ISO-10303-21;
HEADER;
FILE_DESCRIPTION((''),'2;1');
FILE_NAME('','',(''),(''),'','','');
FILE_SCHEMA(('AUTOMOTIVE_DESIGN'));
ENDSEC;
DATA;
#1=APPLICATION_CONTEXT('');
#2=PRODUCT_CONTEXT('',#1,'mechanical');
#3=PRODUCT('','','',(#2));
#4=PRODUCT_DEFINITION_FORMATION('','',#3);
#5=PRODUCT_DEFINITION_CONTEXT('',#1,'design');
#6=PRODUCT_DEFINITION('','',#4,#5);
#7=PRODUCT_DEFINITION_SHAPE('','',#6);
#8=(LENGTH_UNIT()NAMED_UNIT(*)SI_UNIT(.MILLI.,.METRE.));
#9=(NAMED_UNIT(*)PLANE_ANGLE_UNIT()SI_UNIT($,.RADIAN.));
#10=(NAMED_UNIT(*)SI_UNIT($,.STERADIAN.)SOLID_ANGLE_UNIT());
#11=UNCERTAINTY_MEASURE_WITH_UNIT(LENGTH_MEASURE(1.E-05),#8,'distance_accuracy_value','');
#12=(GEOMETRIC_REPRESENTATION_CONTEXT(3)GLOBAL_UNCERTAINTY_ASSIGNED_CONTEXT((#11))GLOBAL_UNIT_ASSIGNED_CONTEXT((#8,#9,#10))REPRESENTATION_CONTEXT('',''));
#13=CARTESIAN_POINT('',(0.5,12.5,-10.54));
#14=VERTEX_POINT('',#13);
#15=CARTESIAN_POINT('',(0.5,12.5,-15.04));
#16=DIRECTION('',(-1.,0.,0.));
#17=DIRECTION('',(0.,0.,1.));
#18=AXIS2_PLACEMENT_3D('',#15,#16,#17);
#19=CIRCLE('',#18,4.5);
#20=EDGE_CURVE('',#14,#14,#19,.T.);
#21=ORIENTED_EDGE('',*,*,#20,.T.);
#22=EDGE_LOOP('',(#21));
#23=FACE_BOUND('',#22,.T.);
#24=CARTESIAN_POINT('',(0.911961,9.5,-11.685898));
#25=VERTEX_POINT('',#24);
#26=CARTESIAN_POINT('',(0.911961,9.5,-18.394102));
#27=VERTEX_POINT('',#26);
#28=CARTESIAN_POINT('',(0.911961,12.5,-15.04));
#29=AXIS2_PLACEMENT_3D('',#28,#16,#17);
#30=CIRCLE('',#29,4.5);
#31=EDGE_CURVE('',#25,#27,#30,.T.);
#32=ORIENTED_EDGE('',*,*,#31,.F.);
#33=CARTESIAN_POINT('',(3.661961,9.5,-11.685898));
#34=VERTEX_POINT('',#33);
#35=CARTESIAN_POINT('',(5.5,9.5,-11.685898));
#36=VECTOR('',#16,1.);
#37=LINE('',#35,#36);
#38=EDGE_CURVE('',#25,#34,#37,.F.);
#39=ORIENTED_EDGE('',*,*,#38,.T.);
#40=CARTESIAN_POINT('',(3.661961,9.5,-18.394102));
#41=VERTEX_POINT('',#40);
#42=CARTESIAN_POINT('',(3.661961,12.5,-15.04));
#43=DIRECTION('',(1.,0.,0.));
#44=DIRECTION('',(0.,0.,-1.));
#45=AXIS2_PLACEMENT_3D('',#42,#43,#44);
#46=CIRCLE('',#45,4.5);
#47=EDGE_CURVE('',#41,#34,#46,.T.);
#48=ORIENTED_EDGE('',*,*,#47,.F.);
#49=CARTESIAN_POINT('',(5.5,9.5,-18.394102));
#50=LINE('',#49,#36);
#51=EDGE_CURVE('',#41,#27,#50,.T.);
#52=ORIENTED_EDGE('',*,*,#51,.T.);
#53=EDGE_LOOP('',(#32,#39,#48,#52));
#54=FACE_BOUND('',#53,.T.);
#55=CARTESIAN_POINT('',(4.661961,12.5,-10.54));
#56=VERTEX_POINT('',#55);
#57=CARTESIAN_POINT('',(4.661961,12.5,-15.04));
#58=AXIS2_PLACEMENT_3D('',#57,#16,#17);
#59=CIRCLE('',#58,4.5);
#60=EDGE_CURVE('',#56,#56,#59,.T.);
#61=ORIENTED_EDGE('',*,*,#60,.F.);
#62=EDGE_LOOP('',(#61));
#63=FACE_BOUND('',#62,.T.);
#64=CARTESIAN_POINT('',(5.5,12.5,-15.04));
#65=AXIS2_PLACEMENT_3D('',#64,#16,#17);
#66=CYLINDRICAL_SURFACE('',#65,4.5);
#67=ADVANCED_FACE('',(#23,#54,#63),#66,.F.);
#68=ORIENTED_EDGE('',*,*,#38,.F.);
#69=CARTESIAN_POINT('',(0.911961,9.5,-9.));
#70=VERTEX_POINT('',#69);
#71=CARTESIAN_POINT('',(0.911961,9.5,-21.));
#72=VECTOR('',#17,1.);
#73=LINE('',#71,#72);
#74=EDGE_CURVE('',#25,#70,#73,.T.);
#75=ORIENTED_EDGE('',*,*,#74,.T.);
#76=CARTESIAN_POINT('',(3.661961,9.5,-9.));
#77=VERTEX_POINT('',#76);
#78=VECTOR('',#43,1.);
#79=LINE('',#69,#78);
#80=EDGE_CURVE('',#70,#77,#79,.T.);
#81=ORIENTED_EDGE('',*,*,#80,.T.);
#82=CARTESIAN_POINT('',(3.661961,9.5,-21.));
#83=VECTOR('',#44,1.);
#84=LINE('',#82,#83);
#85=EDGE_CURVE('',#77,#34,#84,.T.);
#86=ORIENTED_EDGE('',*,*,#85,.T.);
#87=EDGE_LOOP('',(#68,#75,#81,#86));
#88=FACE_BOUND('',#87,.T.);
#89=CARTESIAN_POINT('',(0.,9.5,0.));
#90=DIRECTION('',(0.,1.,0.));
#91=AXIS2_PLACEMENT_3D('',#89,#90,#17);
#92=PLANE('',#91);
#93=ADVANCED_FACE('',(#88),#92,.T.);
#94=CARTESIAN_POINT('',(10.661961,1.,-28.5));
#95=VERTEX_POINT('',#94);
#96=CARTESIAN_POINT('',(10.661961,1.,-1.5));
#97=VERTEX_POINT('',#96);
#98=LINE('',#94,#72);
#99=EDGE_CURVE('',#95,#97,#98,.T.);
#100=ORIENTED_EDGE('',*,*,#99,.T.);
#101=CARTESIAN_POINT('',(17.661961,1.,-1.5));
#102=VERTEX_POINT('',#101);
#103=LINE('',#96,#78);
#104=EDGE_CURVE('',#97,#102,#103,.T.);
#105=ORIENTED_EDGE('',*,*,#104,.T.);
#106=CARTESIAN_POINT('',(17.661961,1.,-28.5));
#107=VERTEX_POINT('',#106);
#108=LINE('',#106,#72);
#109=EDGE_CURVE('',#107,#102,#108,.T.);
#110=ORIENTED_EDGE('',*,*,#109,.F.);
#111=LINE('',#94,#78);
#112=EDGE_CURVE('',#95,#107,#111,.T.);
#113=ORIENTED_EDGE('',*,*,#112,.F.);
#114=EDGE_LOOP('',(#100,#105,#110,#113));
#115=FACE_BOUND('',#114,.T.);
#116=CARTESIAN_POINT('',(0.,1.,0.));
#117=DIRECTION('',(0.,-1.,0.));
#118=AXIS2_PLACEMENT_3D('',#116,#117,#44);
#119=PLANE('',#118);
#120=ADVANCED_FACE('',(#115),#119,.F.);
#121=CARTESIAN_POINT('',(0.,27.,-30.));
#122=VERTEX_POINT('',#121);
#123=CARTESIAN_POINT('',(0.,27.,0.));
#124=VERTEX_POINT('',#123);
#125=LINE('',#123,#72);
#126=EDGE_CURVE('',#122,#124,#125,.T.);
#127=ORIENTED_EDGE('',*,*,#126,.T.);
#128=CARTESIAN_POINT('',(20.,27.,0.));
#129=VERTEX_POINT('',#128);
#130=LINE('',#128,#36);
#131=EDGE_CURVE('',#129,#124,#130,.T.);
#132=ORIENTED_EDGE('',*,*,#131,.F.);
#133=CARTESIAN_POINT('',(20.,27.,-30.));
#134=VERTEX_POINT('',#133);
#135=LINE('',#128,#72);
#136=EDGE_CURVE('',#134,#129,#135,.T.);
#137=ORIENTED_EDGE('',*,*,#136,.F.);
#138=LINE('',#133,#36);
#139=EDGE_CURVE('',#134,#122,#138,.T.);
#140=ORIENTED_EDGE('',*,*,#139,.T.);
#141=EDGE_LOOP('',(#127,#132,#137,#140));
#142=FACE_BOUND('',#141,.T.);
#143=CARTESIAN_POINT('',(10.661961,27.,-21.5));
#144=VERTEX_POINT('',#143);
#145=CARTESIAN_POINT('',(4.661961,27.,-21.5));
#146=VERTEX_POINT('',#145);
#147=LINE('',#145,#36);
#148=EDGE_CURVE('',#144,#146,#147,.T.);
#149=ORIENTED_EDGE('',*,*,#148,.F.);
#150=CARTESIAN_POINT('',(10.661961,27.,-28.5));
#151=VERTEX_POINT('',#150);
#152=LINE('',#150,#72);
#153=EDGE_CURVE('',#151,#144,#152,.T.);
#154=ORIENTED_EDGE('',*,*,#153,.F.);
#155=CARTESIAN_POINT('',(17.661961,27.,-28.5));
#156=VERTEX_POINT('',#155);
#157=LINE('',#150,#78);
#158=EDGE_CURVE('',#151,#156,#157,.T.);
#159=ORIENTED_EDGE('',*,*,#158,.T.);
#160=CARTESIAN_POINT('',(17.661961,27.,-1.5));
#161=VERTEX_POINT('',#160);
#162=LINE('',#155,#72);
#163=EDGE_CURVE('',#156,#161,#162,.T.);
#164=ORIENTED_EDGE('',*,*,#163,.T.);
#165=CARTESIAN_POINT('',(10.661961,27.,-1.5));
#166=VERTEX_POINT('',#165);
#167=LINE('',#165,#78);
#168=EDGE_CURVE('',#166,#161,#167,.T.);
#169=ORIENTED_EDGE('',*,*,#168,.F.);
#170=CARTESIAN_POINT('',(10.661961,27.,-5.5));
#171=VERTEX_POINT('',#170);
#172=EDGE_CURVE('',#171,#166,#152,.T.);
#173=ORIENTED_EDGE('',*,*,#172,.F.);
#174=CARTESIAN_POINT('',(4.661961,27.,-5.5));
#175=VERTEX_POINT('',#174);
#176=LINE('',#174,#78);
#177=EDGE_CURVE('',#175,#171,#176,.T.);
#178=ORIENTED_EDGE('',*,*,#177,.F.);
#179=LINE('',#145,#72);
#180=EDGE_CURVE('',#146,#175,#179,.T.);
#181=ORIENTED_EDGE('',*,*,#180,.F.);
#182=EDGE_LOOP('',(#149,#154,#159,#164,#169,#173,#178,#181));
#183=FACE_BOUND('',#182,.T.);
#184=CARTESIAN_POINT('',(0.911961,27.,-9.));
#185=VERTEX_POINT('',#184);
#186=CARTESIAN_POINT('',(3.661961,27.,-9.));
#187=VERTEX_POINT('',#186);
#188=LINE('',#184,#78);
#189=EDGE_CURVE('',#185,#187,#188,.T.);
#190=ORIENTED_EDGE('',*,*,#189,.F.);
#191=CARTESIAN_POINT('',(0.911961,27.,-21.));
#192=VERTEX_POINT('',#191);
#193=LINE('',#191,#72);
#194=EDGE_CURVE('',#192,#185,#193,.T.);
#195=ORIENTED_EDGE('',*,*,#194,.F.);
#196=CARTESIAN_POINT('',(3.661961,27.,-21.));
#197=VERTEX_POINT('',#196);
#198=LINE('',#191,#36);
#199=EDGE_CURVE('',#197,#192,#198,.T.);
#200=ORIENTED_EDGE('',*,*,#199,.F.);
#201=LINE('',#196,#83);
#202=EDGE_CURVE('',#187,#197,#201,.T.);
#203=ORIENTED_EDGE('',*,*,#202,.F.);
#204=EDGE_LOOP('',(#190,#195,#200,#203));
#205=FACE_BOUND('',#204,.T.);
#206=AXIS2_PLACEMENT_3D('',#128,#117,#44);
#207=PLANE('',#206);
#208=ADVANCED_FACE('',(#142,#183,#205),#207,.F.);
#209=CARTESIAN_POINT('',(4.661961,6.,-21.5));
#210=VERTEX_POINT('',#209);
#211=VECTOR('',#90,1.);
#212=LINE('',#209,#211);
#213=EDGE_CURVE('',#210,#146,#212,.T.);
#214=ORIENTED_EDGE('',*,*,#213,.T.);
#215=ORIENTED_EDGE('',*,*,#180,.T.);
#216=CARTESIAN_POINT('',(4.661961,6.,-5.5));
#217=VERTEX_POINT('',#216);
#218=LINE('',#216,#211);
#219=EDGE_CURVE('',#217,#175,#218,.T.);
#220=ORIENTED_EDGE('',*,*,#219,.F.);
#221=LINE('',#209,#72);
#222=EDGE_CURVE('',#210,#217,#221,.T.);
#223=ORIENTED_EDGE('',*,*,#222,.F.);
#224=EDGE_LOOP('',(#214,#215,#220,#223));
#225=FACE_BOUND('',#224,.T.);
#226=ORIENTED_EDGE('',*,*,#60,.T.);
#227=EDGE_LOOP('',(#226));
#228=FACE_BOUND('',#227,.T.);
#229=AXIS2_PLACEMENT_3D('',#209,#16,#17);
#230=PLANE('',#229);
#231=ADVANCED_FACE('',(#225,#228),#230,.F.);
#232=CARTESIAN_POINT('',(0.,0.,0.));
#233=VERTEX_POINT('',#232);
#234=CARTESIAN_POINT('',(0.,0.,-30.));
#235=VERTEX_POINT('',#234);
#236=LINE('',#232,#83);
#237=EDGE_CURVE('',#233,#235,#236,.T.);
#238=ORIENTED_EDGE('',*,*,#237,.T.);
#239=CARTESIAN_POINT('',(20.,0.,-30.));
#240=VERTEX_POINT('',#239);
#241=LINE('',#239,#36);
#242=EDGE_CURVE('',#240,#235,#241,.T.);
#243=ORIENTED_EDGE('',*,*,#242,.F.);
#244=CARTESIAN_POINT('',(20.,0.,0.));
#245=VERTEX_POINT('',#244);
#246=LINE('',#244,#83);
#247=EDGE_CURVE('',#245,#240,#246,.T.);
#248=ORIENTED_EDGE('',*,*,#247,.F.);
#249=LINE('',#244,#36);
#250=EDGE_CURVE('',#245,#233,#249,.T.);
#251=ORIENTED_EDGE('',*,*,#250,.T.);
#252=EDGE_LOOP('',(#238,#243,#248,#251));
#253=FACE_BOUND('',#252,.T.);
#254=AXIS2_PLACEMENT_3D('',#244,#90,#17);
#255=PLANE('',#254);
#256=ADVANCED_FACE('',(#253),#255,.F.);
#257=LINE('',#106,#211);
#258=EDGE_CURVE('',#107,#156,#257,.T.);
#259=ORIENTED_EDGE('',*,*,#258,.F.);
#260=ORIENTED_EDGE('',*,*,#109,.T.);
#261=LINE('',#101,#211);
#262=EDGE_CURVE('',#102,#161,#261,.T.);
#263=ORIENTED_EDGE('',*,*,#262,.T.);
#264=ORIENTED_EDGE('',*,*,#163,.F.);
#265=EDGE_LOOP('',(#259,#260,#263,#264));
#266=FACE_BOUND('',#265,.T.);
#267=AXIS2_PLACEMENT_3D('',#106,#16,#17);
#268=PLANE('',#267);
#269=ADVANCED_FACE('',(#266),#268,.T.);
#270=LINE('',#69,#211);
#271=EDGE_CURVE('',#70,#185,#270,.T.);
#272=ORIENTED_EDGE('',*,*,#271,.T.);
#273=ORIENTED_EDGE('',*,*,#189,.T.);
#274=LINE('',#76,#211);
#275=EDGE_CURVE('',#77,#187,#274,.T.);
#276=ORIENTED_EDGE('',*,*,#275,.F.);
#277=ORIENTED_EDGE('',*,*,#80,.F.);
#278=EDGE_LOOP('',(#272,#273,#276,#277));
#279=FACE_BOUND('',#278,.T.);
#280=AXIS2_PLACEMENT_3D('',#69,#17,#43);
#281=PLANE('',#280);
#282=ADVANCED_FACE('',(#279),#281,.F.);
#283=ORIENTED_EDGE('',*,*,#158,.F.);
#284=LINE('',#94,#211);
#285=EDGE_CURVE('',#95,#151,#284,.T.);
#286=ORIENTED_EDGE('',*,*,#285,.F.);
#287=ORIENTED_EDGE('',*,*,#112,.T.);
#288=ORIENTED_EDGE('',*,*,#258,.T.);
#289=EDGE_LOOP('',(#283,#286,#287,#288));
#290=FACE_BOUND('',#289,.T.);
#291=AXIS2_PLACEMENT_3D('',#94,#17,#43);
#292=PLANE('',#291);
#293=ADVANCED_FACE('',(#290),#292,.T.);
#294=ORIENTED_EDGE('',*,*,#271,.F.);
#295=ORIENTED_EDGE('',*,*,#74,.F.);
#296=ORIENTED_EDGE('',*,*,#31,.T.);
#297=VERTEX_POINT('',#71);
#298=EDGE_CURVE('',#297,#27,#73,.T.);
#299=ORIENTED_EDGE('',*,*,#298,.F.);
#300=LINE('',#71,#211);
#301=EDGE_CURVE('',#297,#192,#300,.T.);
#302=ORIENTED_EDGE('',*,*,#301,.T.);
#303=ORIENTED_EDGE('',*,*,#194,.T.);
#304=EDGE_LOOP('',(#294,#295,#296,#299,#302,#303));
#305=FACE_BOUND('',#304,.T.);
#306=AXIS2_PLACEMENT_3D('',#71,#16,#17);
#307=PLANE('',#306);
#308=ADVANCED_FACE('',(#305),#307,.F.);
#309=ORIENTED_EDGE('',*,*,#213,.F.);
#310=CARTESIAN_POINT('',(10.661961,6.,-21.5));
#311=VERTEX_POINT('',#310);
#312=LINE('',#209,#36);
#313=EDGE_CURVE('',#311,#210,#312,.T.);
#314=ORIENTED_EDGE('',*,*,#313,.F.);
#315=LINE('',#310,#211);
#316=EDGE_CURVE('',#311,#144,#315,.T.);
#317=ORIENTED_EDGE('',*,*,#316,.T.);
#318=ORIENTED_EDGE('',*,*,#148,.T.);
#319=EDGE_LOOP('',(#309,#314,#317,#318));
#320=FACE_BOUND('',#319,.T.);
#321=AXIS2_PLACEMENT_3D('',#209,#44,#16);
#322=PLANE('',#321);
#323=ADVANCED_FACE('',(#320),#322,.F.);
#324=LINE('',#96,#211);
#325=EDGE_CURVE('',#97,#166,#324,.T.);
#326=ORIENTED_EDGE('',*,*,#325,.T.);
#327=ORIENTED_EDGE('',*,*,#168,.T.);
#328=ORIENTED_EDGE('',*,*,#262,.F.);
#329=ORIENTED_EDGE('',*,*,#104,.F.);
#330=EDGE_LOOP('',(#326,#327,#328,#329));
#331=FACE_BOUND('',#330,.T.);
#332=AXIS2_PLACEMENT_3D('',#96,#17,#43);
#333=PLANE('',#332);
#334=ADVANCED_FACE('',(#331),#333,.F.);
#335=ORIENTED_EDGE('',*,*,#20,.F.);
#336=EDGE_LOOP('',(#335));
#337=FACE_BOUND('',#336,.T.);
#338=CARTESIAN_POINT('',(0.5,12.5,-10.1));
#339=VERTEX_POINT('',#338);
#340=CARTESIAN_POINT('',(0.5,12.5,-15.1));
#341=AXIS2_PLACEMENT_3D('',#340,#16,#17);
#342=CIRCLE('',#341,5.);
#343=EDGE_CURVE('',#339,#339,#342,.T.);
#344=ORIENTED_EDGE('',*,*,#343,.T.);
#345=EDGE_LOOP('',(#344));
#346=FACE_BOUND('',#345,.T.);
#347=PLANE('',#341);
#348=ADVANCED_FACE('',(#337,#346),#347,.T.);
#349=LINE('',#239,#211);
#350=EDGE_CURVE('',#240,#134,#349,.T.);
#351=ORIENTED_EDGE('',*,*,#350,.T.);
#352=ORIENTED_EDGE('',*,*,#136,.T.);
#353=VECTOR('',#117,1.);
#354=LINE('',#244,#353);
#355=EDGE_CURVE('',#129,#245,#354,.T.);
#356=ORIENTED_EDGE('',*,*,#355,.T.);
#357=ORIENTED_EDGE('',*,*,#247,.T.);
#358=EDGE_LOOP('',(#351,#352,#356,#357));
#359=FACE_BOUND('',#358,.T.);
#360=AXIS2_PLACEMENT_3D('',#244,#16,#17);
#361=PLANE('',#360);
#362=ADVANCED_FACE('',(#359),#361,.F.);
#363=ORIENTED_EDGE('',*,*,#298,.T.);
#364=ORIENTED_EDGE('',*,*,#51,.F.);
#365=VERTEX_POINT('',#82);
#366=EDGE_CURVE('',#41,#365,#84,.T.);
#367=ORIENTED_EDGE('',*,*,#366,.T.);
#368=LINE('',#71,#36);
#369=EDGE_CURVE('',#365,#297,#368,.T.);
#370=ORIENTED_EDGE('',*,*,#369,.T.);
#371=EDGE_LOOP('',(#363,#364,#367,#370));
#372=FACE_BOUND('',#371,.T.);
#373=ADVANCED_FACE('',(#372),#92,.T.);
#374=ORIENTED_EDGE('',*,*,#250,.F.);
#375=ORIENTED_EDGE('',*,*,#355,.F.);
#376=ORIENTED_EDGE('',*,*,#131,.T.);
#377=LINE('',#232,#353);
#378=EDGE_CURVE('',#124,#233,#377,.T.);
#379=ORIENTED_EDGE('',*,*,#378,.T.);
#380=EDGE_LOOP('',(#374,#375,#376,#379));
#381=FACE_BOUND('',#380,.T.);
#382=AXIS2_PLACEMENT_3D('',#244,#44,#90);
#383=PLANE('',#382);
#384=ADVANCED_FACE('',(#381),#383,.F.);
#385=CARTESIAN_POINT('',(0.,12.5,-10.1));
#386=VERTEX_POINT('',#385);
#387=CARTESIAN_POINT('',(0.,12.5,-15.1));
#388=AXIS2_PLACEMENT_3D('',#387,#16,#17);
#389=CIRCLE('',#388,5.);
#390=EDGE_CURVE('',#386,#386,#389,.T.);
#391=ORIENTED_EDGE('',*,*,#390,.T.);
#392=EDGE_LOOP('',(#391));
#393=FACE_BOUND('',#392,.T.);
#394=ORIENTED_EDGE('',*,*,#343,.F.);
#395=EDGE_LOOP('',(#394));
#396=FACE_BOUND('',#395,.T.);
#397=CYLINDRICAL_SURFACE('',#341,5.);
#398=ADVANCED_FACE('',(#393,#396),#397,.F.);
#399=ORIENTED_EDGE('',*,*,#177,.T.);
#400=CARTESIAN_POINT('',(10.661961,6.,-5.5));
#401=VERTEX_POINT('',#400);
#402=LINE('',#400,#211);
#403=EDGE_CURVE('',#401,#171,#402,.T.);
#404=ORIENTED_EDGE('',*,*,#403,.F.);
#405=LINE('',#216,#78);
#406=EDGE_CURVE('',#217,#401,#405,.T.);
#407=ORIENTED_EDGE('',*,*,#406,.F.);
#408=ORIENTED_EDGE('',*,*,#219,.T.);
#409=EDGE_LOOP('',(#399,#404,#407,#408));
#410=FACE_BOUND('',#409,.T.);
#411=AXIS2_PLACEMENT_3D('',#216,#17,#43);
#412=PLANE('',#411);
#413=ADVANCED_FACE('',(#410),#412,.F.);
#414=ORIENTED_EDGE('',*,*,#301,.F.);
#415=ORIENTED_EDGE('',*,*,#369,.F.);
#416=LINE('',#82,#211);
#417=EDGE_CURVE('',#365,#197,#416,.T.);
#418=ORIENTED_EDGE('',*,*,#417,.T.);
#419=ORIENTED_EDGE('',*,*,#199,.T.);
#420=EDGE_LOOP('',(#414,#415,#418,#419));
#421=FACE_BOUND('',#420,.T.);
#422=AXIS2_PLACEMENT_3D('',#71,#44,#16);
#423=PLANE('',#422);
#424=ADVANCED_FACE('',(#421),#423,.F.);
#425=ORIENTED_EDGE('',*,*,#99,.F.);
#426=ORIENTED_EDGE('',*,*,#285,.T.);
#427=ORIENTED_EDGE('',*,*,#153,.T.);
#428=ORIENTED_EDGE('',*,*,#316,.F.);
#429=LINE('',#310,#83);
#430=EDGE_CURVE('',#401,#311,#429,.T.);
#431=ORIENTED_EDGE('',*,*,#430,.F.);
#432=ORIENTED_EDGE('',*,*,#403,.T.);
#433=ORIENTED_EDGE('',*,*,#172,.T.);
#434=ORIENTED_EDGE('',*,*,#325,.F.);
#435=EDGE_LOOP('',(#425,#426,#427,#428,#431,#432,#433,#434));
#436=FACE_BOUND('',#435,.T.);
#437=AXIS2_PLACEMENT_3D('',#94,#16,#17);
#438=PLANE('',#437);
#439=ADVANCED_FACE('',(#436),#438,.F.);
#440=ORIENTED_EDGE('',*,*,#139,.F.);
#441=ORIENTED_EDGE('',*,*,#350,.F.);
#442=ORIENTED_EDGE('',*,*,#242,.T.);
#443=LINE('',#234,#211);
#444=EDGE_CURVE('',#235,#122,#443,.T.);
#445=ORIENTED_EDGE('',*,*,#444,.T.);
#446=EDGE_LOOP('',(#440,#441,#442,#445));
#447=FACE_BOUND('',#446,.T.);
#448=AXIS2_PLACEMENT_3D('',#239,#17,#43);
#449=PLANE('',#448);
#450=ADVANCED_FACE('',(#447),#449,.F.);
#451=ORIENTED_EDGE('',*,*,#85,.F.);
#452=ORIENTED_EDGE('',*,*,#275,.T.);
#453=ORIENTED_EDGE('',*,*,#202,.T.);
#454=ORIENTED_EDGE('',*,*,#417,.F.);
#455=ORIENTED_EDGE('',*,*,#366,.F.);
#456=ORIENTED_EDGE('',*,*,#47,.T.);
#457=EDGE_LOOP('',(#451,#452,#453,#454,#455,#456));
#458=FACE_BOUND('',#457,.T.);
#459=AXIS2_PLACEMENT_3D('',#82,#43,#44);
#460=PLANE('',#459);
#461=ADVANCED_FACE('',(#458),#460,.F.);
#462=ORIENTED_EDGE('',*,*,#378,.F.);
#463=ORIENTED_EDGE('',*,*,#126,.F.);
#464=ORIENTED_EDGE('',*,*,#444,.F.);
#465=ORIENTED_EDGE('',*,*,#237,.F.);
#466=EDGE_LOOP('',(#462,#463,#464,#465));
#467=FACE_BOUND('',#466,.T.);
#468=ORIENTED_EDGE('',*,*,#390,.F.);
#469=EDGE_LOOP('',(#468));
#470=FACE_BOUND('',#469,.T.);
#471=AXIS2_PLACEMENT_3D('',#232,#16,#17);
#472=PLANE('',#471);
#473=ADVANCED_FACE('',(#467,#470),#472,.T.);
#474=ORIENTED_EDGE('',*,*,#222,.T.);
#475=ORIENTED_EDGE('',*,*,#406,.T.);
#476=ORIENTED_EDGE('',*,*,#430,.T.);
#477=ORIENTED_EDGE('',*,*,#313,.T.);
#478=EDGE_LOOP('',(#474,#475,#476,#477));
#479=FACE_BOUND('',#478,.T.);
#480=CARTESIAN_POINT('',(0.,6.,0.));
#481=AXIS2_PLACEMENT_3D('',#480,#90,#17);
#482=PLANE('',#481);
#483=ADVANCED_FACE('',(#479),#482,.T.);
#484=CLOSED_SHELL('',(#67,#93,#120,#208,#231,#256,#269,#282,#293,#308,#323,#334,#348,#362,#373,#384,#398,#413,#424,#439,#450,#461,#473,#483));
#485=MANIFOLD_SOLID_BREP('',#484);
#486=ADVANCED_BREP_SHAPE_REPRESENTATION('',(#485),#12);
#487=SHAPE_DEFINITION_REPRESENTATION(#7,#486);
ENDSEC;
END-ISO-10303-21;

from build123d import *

# Parameters (mm, degrees)
SKETCH2_W           = 30
SKETCH2_H           = 27
BOSS_EXTRUDE1_DEPTH = 20
SKETCH6_W           = 7
SKETCH6_H           = 27
CUT_EXTRUDE4_DEPTH  = 26
SKETCH9_W           = 6
SKETCH9_H           = 16
CUT_EXTRUDE5_DEPTH  = 21
SKETCH11_R          = 5
CUT_EXTRUDE8_DEPTH  = 0.5
SKETCH12_W          = 2.75
SKETCH12_H          = 12
CUT_EXTRUDE12_DEPTH = 17.5
SKETCH15_R          = 4.5
CUT_EXTRUDE13_DEPTH = 5


with BuildPart() as part:
    # Sketch2 → Boss-Extrude1 (new body)
    with BuildSketch(Plane(origin=(0, 0, 0), x_dir=(0, 0, -1), z_dir=(1, 0, 0))):
        with Locations((15, 13.5)):
            Rectangle(SKETCH2_W, SKETCH2_H)
    extrude(amount=BOSS_EXTRUDE1_DEPTH)

    # Sketch6 → Cut-Extrude4 (cut)
    with BuildSketch(Plane(origin=(2.296116437, 27, -0.293484995), x_dir=(1, 0, 0), z_dir=(0, 1, 0))):
        with Locations((11.865844825, 14.706515005)):
            Rectangle(SKETCH6_W, SKETCH6_H)
    extrude(amount=-CUT_EXTRUDE4_DEPTH, mode=Mode.SUBTRACT)

    # Sketch9 → Cut-Extrude5 (cut)
    with BuildSketch(Plane(origin=(0, 27, 0), x_dir=(1, 0, 0), z_dir=(0, 1, 0))):
        with Locations((7.661961261, 13.5)):
            Rectangle(SKETCH9_W, SKETCH9_H)
    extrude(amount=-CUT_EXTRUDE5_DEPTH, mode=Mode.SUBTRACT)

    # Sketch11 → Cut-Extrude8 (cut)
    with BuildSketch(Plane.ZY):
        with Locations((-15.1, 12.5)):
            Circle(SKETCH11_R)
    extrude(amount=-CUT_EXTRUDE8_DEPTH, mode=Mode.SUBTRACT)

    # Sketch12 → Cut-Extrude12 (cut)
    with BuildSketch(Plane(origin=(0, 27, 0), x_dir=(1, 0, 0), z_dir=(0, 1, 0))):
        with Locations((2.286961261, 15)):
            Rectangle(SKETCH12_W, SKETCH12_H)
    extrude(amount=-CUT_EXTRUDE12_DEPTH, mode=Mode.SUBTRACT)

    # Sketch15 → Cut-Extrude13 (cut)
    with BuildSketch(Plane.ZY.offset(-0.5)):
        with Locations((-15.04, 12.5)):
            Circle(SKETCH15_R)
    extrude(amount=-CUT_EXTRUDE13_DEPTH, mode=Mode.SUBTRACT)


solid = part.part
